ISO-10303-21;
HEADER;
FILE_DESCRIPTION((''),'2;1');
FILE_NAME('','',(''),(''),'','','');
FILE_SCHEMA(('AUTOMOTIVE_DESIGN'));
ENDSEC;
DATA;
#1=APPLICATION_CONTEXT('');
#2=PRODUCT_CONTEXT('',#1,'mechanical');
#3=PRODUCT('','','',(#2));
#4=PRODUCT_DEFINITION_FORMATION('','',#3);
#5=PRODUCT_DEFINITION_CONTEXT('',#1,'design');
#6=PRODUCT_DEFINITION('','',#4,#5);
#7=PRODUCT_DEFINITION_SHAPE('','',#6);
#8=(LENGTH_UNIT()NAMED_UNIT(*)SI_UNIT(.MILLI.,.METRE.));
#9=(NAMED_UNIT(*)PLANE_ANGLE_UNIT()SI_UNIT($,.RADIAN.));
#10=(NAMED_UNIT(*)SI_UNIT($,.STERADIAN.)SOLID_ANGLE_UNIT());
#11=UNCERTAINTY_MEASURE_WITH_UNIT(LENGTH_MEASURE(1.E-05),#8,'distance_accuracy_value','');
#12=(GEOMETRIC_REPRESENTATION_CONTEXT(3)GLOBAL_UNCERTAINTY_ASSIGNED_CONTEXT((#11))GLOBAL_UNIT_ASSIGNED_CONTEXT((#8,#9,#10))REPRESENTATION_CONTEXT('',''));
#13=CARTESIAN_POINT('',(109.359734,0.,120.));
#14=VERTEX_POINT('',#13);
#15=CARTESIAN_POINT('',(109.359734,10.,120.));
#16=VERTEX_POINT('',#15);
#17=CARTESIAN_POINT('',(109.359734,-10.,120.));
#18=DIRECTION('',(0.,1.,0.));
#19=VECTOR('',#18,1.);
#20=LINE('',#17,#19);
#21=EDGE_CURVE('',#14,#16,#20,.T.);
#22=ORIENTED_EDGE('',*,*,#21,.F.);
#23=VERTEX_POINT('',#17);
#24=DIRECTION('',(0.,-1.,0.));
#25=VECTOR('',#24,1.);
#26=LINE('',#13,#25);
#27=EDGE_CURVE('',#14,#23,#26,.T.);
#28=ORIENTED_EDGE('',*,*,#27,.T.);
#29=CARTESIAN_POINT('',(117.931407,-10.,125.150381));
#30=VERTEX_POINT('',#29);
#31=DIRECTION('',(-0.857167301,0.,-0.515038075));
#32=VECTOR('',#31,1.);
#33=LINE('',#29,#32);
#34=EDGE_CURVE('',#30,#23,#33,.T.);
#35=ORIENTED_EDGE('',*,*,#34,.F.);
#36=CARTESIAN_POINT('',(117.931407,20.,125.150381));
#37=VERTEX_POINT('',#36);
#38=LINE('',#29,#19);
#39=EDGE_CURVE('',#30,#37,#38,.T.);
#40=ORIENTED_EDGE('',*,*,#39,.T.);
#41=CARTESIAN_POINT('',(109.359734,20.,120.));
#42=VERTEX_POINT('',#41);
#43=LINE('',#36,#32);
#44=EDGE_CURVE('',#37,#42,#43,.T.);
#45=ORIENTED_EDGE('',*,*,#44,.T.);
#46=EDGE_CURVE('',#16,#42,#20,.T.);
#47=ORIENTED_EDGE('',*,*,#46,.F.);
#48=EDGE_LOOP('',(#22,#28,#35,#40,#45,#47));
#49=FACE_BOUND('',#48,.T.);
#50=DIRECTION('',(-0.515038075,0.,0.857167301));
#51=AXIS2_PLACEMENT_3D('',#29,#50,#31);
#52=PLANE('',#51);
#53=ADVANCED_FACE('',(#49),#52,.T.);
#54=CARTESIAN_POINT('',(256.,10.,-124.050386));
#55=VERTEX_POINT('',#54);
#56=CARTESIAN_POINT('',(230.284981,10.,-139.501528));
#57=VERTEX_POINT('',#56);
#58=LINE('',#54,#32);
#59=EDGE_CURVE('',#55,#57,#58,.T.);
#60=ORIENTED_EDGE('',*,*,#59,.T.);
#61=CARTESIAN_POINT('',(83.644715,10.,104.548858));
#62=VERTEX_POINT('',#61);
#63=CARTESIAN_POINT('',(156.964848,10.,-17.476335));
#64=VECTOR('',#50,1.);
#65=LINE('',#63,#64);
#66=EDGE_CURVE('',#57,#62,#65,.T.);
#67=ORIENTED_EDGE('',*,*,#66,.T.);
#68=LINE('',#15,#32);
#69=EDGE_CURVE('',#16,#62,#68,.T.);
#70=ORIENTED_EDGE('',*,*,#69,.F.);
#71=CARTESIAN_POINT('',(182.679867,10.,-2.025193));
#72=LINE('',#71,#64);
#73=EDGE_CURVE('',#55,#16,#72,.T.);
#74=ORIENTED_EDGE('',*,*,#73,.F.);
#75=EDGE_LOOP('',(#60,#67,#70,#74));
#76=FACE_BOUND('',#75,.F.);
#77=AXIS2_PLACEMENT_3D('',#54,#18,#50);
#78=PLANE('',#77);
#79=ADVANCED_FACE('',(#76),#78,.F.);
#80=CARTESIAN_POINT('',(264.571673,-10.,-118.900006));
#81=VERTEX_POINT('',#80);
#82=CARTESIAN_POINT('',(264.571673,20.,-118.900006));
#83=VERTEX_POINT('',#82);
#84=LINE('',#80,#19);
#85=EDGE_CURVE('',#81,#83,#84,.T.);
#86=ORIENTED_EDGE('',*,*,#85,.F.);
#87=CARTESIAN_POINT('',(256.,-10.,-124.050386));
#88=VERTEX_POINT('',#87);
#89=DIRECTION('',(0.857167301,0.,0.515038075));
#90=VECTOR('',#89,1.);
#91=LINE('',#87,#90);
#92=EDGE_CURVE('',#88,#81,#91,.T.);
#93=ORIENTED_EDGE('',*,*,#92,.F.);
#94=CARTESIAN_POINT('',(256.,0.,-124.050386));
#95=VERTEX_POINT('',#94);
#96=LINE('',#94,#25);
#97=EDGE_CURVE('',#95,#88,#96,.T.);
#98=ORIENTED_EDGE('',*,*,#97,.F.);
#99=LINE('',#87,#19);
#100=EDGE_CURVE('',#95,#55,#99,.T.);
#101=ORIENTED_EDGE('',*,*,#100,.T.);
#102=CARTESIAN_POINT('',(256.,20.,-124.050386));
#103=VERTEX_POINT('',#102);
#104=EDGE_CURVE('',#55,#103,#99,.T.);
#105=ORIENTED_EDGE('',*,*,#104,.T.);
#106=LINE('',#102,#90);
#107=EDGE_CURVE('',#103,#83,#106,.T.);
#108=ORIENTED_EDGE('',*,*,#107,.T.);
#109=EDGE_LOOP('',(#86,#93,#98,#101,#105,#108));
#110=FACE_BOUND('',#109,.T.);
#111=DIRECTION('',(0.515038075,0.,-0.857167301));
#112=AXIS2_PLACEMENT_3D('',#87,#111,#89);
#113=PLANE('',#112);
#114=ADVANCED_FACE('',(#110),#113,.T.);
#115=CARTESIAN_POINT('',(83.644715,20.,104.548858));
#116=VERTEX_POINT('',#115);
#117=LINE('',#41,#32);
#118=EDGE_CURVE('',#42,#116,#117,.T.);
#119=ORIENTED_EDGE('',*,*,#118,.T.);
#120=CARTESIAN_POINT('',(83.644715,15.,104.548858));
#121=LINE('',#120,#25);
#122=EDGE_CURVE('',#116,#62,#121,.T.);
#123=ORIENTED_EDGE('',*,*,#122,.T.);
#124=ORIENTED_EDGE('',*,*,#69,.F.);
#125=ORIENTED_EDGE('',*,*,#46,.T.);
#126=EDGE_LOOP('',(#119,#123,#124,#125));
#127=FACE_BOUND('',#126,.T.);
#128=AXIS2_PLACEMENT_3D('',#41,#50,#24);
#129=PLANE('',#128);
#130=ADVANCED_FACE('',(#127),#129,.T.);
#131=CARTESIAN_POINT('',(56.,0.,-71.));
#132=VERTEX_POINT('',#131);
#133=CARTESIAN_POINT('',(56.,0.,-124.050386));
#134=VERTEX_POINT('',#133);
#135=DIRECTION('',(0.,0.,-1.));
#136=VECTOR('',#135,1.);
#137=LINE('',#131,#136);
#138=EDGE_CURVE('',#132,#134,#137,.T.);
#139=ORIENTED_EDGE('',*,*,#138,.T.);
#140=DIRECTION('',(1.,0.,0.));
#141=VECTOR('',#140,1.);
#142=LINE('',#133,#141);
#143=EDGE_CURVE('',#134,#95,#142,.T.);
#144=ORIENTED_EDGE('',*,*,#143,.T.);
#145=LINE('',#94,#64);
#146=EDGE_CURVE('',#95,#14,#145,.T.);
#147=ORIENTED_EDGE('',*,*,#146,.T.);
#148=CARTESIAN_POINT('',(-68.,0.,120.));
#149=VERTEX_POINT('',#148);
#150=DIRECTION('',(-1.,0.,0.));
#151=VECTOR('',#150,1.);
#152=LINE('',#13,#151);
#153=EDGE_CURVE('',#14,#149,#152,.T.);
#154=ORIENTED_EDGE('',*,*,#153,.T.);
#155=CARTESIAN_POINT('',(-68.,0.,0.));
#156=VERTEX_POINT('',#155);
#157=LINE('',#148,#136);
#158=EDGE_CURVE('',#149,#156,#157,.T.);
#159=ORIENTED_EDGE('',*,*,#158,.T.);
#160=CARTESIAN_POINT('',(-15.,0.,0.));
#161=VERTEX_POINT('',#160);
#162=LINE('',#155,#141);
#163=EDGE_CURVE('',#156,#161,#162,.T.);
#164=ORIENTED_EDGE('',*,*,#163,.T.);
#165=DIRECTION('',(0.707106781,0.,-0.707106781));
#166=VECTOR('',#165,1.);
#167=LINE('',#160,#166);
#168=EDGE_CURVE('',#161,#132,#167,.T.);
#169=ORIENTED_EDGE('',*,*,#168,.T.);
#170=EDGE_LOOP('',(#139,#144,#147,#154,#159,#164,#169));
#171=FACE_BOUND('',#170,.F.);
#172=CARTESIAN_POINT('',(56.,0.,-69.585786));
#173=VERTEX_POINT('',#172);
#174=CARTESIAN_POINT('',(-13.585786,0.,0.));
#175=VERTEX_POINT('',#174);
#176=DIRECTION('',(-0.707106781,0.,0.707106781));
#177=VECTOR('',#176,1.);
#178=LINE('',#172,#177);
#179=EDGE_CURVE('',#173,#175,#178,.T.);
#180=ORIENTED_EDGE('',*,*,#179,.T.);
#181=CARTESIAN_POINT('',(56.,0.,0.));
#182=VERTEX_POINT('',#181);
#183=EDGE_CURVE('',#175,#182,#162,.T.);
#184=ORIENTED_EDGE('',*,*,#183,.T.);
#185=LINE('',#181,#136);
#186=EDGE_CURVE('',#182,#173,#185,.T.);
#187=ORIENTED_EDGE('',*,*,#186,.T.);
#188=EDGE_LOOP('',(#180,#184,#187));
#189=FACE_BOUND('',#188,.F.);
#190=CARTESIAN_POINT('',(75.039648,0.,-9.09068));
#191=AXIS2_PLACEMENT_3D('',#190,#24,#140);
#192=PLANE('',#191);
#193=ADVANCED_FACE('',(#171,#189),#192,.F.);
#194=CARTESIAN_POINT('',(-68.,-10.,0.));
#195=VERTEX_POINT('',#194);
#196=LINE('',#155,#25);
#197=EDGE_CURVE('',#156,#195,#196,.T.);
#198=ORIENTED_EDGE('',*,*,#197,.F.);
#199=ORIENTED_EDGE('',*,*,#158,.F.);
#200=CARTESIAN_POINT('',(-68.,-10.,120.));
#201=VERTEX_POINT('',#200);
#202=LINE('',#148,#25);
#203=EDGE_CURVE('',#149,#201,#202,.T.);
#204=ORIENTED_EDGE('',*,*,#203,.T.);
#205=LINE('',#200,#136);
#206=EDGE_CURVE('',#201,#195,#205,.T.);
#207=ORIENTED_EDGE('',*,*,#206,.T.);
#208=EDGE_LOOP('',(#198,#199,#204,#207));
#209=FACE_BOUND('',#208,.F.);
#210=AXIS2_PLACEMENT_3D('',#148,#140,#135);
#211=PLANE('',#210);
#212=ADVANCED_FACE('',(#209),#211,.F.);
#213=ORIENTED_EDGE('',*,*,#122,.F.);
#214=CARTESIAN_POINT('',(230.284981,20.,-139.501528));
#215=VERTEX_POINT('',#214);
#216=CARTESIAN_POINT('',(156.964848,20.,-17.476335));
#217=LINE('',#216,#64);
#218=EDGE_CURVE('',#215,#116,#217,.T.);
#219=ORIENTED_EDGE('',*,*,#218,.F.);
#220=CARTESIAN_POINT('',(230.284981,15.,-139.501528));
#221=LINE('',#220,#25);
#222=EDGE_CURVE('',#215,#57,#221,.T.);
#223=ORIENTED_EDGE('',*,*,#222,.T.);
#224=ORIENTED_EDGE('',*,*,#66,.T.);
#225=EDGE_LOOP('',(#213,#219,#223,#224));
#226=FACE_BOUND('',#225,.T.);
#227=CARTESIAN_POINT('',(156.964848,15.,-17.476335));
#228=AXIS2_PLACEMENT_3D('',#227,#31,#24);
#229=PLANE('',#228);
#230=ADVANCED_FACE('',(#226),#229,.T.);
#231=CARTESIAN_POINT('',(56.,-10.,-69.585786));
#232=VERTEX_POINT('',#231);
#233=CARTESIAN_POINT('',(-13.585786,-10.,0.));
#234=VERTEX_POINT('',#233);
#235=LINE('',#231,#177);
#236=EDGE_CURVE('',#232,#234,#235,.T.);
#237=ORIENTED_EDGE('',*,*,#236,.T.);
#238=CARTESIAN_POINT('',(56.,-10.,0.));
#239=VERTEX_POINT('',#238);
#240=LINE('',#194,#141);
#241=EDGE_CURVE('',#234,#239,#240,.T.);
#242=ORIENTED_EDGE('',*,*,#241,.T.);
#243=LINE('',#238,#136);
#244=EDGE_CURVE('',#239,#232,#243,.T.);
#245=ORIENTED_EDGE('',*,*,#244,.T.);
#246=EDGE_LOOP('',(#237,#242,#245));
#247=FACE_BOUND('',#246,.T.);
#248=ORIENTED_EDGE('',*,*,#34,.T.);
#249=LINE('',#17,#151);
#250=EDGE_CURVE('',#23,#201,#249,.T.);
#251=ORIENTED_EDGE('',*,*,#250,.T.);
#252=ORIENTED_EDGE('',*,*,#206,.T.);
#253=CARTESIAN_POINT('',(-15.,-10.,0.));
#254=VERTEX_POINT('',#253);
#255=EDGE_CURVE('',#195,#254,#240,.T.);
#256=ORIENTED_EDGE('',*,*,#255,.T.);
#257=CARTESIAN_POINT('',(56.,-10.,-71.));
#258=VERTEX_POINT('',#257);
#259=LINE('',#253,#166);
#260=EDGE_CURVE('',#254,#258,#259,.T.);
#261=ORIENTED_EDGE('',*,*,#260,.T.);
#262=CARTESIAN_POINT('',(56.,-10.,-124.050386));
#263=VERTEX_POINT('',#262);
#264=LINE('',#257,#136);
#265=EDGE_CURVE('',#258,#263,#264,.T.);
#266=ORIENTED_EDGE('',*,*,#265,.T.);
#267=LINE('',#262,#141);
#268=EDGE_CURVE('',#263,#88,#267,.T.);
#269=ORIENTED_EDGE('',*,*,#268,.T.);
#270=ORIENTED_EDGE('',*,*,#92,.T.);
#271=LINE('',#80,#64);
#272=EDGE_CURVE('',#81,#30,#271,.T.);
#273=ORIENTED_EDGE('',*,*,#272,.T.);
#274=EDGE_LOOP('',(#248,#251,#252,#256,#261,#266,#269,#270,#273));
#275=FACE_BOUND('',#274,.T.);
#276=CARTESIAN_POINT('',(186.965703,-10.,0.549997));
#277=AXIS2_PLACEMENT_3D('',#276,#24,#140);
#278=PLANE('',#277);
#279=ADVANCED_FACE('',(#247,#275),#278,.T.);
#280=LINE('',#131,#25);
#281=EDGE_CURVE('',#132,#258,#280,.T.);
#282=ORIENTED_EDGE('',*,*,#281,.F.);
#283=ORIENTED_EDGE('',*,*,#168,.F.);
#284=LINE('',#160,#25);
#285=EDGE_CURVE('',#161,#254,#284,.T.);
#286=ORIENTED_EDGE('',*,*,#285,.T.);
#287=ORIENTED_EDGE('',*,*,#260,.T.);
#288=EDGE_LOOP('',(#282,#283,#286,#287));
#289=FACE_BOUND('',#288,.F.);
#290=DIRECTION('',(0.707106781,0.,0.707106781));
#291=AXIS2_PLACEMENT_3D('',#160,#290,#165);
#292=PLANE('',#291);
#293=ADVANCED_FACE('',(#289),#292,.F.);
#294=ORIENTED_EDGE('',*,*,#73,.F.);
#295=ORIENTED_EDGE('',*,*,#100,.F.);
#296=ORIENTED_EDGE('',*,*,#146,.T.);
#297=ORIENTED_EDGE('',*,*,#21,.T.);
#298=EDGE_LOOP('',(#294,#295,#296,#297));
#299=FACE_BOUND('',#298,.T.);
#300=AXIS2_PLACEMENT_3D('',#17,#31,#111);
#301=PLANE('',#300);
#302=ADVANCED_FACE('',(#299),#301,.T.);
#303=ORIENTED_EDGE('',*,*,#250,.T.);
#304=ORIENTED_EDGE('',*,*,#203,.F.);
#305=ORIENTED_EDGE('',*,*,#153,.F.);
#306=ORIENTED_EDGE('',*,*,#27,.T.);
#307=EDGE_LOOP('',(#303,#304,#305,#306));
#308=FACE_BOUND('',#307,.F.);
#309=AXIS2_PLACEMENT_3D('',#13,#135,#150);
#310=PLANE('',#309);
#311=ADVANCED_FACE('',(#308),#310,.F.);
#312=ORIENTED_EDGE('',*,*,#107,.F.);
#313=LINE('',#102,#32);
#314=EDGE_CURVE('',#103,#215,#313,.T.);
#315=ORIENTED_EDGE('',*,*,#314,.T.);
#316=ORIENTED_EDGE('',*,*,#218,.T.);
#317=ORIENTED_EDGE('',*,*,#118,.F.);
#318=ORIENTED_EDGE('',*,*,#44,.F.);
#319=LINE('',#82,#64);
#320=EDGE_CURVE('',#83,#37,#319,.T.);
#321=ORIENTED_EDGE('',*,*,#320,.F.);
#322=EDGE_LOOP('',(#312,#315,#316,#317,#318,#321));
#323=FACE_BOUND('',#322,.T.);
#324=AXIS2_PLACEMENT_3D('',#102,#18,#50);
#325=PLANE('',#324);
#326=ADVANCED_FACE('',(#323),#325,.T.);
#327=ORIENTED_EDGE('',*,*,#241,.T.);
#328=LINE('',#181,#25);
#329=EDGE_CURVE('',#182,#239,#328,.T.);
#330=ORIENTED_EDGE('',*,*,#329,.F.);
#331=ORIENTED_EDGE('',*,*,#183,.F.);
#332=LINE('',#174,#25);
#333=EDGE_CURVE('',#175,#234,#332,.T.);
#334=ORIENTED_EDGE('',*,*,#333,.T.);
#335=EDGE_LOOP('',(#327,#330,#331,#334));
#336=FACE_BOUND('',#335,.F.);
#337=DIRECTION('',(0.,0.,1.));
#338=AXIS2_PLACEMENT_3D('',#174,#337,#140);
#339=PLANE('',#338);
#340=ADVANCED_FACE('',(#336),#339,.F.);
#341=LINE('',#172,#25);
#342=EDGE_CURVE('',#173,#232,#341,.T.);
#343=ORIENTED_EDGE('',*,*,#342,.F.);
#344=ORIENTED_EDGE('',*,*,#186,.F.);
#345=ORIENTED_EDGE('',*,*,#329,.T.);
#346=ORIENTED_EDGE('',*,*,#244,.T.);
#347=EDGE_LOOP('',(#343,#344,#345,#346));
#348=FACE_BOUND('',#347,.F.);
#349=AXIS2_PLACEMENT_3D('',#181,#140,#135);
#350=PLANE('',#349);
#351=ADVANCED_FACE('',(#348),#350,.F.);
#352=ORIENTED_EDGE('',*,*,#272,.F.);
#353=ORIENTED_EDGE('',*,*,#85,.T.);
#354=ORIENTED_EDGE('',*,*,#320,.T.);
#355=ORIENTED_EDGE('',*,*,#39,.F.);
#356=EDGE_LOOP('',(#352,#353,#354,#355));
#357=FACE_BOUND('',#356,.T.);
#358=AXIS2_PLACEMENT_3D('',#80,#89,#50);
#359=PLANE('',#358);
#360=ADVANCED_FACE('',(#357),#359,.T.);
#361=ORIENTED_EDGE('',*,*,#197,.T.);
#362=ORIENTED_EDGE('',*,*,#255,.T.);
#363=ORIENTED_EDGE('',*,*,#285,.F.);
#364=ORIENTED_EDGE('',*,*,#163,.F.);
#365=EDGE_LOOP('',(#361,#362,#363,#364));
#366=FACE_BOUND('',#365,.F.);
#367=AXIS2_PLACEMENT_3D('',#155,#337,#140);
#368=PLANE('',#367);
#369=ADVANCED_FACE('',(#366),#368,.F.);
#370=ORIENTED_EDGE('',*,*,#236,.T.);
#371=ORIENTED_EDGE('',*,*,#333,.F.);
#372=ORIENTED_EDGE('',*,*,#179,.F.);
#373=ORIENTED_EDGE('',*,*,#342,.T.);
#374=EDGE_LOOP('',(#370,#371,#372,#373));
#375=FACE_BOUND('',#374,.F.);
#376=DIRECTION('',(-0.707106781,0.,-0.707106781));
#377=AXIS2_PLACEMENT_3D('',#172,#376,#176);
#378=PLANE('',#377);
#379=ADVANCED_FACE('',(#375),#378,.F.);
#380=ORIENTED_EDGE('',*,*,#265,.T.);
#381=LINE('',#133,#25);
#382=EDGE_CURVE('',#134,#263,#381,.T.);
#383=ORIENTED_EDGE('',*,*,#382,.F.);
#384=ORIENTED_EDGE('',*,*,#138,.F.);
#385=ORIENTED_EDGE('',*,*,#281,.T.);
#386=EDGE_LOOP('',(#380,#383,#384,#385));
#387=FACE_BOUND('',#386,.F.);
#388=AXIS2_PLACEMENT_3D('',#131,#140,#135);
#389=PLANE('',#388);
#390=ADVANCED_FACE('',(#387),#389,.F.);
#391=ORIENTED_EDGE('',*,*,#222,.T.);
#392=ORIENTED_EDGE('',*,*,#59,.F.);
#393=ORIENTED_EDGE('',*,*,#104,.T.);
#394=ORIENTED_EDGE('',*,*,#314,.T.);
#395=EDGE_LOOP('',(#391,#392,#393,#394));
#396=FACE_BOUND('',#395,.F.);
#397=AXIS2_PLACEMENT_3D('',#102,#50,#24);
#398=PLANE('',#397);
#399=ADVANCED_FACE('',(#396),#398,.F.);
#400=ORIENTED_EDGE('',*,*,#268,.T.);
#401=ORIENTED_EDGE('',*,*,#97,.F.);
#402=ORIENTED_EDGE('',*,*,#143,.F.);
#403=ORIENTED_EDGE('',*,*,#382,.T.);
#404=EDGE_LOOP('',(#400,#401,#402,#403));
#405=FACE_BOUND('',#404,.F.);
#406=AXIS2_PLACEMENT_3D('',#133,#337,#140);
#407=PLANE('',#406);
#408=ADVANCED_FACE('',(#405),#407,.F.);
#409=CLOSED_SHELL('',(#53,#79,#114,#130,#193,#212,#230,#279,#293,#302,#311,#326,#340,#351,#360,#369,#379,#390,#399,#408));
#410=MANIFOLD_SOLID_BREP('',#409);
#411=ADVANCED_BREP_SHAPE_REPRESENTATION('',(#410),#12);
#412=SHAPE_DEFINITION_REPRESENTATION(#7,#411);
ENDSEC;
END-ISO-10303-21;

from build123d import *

# Parameters (mm, degrees)
F1_DEPTH = 10
F3_DEPTH = 30
F4_W     = 10
F4_H     = 284.7173312026
F5_DEPTH = 30


with BuildPart() as f1:
    # F0 (on Front) → F1 (new body)
    with BuildSketch(Plane.XZ):
        Polygon((-68, 120), (-68, 0), (-15, 0), (-40, 25), (-39.2928932188, 25.7071067812), (-13.5857864376, 0), (56, 0), (56, -69.5857864376), (85.8867522003, -99.4725386379), (85.1796454191, -100.1796454191), (56, -71), (56, -124.05038625), (256, -124.05038625), (109.3597338439, 120), align=None)
        Polygon((-40, 25), (-15, 0), (-13.5857864376, 0), (-39.2928932188, 25.7071067812), align=None)
        Polygon((-13.5857864376, 0), (-15, 0), (56, -71), (56, -69.5857864376), align=None)
        Polygon((56, -69.5857864376), (56, -71), (85.1796454191, -100.1796454191), (85.8867522003, -99.4725386379), align=None)
    extrude(amount=F1_DEPTH)

    # F2 (on face) → F3 (join)
    with BuildSketch(Plane.XZ.offset(10)):
        Polygon((117.9314068509, 125.1503807491), (109.3597338439, 120), (256, -124.05038625), (264.571673007, -118.9000055009), align=None)
    extrude(amount=-F3_DEPTH)

    # F4 (on face) → F5 (join)
    with BuildSketch(Plane(origin=(133.3273650703, 0, 80.1111631094), x_dir=(0, -1, 0), z_dir=(-0.8571673007, 0, -0.5150380749))):
        with Locations((-15, -95.8230163087)):
            Rectangle(F4_W, F4_H)
    extrude(amount=F5_DEPTH)


solid = f1.part
